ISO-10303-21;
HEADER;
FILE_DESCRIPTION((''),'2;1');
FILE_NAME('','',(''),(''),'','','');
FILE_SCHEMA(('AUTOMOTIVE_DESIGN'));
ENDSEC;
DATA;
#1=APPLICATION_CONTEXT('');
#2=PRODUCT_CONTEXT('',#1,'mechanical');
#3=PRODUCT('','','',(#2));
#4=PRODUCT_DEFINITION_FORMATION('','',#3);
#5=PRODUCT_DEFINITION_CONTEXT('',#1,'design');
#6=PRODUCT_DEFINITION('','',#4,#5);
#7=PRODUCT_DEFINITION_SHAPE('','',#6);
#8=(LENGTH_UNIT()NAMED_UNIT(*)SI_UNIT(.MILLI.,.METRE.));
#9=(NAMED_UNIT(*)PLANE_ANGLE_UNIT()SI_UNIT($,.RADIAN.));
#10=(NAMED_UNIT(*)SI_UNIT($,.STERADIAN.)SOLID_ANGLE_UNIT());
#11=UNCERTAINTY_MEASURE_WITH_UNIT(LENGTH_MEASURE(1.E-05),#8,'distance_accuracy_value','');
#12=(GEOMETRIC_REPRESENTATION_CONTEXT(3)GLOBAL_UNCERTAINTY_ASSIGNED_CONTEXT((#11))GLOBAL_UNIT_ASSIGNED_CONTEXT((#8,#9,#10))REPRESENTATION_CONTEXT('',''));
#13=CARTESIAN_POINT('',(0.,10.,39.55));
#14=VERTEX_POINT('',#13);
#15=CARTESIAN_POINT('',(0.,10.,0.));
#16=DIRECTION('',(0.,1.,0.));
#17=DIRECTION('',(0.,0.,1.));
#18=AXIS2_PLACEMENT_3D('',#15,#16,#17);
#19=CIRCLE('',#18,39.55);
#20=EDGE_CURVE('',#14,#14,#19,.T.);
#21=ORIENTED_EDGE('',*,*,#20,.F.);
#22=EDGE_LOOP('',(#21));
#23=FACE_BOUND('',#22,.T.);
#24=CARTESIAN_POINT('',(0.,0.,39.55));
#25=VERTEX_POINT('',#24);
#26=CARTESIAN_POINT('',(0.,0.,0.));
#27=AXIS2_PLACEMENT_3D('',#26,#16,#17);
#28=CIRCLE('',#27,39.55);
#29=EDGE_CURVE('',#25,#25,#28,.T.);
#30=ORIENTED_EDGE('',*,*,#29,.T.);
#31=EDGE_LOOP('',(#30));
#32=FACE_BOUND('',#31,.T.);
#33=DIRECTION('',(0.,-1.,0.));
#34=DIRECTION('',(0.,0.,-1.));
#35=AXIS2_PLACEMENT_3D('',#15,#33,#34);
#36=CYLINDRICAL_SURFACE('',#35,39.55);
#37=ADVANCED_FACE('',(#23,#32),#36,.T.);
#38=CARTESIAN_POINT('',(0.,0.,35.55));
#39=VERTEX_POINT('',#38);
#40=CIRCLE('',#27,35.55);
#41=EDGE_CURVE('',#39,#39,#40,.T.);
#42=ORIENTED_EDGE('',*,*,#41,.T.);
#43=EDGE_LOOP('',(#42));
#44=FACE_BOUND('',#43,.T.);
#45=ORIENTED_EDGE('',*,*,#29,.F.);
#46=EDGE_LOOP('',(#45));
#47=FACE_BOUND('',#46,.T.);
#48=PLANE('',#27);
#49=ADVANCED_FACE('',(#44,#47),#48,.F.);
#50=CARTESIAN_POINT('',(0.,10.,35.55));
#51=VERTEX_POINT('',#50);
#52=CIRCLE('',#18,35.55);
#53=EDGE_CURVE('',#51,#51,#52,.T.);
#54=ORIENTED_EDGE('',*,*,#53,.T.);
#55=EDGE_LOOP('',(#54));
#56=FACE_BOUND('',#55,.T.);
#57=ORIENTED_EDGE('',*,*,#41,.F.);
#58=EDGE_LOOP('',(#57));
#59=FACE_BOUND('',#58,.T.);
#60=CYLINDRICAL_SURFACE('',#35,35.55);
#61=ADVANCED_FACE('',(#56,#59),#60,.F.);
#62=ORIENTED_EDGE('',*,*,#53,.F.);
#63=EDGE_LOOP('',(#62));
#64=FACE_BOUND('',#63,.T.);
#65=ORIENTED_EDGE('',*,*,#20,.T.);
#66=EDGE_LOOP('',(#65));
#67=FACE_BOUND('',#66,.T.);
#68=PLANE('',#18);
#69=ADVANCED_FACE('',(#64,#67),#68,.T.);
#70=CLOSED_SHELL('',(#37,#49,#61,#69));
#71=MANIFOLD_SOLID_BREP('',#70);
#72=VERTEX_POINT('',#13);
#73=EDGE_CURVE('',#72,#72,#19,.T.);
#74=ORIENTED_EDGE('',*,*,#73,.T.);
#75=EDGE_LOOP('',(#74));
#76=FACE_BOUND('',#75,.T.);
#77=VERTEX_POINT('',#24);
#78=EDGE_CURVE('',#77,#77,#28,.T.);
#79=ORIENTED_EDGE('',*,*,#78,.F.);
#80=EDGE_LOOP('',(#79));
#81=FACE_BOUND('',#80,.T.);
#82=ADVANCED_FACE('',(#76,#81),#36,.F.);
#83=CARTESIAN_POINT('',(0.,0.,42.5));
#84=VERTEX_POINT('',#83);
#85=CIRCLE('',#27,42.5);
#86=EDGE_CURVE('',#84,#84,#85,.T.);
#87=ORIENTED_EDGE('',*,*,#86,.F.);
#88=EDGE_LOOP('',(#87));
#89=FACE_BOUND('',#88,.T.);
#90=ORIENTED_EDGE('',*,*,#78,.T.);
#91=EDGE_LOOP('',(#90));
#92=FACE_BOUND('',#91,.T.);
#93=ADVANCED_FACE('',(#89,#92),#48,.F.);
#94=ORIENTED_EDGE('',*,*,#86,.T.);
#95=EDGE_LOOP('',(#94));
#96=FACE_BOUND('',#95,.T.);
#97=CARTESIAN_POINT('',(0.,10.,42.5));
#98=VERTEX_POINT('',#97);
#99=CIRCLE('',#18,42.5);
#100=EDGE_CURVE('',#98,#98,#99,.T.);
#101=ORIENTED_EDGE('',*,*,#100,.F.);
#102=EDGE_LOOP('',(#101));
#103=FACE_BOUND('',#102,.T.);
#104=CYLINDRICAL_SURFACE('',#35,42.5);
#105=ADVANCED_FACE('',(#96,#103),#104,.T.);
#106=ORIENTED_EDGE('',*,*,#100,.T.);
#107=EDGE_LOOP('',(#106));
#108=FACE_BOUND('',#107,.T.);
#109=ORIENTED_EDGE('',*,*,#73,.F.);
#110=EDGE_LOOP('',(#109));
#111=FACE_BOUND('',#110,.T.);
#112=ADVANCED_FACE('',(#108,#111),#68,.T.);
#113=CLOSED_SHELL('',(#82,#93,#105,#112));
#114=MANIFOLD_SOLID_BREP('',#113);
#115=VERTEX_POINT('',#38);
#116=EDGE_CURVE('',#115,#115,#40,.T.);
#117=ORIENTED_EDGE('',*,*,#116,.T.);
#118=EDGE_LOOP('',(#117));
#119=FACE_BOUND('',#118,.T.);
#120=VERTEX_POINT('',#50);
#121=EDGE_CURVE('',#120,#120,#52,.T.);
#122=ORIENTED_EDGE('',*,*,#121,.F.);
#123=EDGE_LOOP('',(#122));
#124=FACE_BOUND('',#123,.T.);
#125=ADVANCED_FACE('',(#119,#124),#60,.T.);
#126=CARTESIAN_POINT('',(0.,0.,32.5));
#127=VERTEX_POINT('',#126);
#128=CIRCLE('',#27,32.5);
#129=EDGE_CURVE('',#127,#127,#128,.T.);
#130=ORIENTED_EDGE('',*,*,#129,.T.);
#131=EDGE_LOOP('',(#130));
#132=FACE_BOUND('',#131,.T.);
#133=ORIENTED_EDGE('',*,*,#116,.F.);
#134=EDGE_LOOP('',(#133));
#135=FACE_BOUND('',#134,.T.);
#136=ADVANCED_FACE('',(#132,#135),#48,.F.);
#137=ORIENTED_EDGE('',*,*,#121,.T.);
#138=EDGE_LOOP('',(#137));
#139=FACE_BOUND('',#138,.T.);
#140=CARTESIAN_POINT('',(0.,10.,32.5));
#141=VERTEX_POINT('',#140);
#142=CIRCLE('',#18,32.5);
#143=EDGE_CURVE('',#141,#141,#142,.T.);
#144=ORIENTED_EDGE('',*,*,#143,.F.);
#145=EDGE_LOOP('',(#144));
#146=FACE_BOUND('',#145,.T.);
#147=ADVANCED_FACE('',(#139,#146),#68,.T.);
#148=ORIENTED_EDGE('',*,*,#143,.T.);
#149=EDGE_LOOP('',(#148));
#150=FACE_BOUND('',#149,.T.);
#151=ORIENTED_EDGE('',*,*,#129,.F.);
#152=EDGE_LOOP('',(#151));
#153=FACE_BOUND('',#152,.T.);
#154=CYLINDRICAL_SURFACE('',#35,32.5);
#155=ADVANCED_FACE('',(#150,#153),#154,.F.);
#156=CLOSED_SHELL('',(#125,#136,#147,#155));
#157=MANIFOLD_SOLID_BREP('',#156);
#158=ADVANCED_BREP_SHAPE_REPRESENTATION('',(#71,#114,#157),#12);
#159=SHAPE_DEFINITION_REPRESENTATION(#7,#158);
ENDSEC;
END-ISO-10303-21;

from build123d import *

# Parameters (mm, degrees)
SKETCH1_R           = 35.55
SKETCH1_R_2         = 32.5
BOSS_EXTRUDE1_DEPTH = 10
SKETCH2_R           = 39.55
SKETCH2_R_2         = 35.55
BOSS_EXTRUDE2_DEPTH = 10
SKETCH3_R           = 42.5
SKETCH3_R_2         = 39.55
BOSS_EXTRUDE4_DEPTH = 10


with BuildPart() as part:
    # Sketch1 → Boss-Extrude1 (new body)
    with BuildSketch(Plane(origin=(0, 0, 0), x_dir=(1, 0, 0), z_dir=(0, 1, 0))):
        with Locations(Location((0, 0, 0), (0, 0, 270))):
            Circle(SKETCH1_R)
        with Locations(Location((0, 0, 0), (0, 0, 270))):
            Circle(SKETCH1_R_2, mode=Mode.SUBTRACT)
    extrude(amount=BOSS_EXTRUDE1_DEPTH)


with BuildPart() as body_2:
    # Sketch2 → Boss-Extrude2 (new body)
    with BuildSketch(Plane(origin=(0, 0, 0), x_dir=(1, 0, 0), z_dir=(0, 1, 0))):
        with Locations(Location((0, 0, 0), (0, 0, 270))):
            Circle(SKETCH2_R)
        with Locations(Location((0, 0, 0), (0, 0, 270))):
            Circle(SKETCH2_R_2, mode=Mode.SUBTRACT)
    extrude(amount=BOSS_EXTRUDE2_DEPTH)


with BuildPart() as body_3:
    # Sketch3 → Boss-Extrude4 (new body)
    with BuildSketch(Plane(origin=(0, 0, 0), x_dir=(1, 0, 0), z_dir=(0, 1, 0))):
        with Locations(Location((0, 0, 0), (0, 0, 270))):
            Circle(SKETCH3_R)
        with Locations(Location((0, 0, 0), (0, 0, 270))):
            Circle(SKETCH3_R_2, mode=Mode.SUBTRACT)
    extrude(amount=BOSS_EXTRUDE4_DEPTH)


solid = Compound([part.part, body_2.part, body_3.part])
